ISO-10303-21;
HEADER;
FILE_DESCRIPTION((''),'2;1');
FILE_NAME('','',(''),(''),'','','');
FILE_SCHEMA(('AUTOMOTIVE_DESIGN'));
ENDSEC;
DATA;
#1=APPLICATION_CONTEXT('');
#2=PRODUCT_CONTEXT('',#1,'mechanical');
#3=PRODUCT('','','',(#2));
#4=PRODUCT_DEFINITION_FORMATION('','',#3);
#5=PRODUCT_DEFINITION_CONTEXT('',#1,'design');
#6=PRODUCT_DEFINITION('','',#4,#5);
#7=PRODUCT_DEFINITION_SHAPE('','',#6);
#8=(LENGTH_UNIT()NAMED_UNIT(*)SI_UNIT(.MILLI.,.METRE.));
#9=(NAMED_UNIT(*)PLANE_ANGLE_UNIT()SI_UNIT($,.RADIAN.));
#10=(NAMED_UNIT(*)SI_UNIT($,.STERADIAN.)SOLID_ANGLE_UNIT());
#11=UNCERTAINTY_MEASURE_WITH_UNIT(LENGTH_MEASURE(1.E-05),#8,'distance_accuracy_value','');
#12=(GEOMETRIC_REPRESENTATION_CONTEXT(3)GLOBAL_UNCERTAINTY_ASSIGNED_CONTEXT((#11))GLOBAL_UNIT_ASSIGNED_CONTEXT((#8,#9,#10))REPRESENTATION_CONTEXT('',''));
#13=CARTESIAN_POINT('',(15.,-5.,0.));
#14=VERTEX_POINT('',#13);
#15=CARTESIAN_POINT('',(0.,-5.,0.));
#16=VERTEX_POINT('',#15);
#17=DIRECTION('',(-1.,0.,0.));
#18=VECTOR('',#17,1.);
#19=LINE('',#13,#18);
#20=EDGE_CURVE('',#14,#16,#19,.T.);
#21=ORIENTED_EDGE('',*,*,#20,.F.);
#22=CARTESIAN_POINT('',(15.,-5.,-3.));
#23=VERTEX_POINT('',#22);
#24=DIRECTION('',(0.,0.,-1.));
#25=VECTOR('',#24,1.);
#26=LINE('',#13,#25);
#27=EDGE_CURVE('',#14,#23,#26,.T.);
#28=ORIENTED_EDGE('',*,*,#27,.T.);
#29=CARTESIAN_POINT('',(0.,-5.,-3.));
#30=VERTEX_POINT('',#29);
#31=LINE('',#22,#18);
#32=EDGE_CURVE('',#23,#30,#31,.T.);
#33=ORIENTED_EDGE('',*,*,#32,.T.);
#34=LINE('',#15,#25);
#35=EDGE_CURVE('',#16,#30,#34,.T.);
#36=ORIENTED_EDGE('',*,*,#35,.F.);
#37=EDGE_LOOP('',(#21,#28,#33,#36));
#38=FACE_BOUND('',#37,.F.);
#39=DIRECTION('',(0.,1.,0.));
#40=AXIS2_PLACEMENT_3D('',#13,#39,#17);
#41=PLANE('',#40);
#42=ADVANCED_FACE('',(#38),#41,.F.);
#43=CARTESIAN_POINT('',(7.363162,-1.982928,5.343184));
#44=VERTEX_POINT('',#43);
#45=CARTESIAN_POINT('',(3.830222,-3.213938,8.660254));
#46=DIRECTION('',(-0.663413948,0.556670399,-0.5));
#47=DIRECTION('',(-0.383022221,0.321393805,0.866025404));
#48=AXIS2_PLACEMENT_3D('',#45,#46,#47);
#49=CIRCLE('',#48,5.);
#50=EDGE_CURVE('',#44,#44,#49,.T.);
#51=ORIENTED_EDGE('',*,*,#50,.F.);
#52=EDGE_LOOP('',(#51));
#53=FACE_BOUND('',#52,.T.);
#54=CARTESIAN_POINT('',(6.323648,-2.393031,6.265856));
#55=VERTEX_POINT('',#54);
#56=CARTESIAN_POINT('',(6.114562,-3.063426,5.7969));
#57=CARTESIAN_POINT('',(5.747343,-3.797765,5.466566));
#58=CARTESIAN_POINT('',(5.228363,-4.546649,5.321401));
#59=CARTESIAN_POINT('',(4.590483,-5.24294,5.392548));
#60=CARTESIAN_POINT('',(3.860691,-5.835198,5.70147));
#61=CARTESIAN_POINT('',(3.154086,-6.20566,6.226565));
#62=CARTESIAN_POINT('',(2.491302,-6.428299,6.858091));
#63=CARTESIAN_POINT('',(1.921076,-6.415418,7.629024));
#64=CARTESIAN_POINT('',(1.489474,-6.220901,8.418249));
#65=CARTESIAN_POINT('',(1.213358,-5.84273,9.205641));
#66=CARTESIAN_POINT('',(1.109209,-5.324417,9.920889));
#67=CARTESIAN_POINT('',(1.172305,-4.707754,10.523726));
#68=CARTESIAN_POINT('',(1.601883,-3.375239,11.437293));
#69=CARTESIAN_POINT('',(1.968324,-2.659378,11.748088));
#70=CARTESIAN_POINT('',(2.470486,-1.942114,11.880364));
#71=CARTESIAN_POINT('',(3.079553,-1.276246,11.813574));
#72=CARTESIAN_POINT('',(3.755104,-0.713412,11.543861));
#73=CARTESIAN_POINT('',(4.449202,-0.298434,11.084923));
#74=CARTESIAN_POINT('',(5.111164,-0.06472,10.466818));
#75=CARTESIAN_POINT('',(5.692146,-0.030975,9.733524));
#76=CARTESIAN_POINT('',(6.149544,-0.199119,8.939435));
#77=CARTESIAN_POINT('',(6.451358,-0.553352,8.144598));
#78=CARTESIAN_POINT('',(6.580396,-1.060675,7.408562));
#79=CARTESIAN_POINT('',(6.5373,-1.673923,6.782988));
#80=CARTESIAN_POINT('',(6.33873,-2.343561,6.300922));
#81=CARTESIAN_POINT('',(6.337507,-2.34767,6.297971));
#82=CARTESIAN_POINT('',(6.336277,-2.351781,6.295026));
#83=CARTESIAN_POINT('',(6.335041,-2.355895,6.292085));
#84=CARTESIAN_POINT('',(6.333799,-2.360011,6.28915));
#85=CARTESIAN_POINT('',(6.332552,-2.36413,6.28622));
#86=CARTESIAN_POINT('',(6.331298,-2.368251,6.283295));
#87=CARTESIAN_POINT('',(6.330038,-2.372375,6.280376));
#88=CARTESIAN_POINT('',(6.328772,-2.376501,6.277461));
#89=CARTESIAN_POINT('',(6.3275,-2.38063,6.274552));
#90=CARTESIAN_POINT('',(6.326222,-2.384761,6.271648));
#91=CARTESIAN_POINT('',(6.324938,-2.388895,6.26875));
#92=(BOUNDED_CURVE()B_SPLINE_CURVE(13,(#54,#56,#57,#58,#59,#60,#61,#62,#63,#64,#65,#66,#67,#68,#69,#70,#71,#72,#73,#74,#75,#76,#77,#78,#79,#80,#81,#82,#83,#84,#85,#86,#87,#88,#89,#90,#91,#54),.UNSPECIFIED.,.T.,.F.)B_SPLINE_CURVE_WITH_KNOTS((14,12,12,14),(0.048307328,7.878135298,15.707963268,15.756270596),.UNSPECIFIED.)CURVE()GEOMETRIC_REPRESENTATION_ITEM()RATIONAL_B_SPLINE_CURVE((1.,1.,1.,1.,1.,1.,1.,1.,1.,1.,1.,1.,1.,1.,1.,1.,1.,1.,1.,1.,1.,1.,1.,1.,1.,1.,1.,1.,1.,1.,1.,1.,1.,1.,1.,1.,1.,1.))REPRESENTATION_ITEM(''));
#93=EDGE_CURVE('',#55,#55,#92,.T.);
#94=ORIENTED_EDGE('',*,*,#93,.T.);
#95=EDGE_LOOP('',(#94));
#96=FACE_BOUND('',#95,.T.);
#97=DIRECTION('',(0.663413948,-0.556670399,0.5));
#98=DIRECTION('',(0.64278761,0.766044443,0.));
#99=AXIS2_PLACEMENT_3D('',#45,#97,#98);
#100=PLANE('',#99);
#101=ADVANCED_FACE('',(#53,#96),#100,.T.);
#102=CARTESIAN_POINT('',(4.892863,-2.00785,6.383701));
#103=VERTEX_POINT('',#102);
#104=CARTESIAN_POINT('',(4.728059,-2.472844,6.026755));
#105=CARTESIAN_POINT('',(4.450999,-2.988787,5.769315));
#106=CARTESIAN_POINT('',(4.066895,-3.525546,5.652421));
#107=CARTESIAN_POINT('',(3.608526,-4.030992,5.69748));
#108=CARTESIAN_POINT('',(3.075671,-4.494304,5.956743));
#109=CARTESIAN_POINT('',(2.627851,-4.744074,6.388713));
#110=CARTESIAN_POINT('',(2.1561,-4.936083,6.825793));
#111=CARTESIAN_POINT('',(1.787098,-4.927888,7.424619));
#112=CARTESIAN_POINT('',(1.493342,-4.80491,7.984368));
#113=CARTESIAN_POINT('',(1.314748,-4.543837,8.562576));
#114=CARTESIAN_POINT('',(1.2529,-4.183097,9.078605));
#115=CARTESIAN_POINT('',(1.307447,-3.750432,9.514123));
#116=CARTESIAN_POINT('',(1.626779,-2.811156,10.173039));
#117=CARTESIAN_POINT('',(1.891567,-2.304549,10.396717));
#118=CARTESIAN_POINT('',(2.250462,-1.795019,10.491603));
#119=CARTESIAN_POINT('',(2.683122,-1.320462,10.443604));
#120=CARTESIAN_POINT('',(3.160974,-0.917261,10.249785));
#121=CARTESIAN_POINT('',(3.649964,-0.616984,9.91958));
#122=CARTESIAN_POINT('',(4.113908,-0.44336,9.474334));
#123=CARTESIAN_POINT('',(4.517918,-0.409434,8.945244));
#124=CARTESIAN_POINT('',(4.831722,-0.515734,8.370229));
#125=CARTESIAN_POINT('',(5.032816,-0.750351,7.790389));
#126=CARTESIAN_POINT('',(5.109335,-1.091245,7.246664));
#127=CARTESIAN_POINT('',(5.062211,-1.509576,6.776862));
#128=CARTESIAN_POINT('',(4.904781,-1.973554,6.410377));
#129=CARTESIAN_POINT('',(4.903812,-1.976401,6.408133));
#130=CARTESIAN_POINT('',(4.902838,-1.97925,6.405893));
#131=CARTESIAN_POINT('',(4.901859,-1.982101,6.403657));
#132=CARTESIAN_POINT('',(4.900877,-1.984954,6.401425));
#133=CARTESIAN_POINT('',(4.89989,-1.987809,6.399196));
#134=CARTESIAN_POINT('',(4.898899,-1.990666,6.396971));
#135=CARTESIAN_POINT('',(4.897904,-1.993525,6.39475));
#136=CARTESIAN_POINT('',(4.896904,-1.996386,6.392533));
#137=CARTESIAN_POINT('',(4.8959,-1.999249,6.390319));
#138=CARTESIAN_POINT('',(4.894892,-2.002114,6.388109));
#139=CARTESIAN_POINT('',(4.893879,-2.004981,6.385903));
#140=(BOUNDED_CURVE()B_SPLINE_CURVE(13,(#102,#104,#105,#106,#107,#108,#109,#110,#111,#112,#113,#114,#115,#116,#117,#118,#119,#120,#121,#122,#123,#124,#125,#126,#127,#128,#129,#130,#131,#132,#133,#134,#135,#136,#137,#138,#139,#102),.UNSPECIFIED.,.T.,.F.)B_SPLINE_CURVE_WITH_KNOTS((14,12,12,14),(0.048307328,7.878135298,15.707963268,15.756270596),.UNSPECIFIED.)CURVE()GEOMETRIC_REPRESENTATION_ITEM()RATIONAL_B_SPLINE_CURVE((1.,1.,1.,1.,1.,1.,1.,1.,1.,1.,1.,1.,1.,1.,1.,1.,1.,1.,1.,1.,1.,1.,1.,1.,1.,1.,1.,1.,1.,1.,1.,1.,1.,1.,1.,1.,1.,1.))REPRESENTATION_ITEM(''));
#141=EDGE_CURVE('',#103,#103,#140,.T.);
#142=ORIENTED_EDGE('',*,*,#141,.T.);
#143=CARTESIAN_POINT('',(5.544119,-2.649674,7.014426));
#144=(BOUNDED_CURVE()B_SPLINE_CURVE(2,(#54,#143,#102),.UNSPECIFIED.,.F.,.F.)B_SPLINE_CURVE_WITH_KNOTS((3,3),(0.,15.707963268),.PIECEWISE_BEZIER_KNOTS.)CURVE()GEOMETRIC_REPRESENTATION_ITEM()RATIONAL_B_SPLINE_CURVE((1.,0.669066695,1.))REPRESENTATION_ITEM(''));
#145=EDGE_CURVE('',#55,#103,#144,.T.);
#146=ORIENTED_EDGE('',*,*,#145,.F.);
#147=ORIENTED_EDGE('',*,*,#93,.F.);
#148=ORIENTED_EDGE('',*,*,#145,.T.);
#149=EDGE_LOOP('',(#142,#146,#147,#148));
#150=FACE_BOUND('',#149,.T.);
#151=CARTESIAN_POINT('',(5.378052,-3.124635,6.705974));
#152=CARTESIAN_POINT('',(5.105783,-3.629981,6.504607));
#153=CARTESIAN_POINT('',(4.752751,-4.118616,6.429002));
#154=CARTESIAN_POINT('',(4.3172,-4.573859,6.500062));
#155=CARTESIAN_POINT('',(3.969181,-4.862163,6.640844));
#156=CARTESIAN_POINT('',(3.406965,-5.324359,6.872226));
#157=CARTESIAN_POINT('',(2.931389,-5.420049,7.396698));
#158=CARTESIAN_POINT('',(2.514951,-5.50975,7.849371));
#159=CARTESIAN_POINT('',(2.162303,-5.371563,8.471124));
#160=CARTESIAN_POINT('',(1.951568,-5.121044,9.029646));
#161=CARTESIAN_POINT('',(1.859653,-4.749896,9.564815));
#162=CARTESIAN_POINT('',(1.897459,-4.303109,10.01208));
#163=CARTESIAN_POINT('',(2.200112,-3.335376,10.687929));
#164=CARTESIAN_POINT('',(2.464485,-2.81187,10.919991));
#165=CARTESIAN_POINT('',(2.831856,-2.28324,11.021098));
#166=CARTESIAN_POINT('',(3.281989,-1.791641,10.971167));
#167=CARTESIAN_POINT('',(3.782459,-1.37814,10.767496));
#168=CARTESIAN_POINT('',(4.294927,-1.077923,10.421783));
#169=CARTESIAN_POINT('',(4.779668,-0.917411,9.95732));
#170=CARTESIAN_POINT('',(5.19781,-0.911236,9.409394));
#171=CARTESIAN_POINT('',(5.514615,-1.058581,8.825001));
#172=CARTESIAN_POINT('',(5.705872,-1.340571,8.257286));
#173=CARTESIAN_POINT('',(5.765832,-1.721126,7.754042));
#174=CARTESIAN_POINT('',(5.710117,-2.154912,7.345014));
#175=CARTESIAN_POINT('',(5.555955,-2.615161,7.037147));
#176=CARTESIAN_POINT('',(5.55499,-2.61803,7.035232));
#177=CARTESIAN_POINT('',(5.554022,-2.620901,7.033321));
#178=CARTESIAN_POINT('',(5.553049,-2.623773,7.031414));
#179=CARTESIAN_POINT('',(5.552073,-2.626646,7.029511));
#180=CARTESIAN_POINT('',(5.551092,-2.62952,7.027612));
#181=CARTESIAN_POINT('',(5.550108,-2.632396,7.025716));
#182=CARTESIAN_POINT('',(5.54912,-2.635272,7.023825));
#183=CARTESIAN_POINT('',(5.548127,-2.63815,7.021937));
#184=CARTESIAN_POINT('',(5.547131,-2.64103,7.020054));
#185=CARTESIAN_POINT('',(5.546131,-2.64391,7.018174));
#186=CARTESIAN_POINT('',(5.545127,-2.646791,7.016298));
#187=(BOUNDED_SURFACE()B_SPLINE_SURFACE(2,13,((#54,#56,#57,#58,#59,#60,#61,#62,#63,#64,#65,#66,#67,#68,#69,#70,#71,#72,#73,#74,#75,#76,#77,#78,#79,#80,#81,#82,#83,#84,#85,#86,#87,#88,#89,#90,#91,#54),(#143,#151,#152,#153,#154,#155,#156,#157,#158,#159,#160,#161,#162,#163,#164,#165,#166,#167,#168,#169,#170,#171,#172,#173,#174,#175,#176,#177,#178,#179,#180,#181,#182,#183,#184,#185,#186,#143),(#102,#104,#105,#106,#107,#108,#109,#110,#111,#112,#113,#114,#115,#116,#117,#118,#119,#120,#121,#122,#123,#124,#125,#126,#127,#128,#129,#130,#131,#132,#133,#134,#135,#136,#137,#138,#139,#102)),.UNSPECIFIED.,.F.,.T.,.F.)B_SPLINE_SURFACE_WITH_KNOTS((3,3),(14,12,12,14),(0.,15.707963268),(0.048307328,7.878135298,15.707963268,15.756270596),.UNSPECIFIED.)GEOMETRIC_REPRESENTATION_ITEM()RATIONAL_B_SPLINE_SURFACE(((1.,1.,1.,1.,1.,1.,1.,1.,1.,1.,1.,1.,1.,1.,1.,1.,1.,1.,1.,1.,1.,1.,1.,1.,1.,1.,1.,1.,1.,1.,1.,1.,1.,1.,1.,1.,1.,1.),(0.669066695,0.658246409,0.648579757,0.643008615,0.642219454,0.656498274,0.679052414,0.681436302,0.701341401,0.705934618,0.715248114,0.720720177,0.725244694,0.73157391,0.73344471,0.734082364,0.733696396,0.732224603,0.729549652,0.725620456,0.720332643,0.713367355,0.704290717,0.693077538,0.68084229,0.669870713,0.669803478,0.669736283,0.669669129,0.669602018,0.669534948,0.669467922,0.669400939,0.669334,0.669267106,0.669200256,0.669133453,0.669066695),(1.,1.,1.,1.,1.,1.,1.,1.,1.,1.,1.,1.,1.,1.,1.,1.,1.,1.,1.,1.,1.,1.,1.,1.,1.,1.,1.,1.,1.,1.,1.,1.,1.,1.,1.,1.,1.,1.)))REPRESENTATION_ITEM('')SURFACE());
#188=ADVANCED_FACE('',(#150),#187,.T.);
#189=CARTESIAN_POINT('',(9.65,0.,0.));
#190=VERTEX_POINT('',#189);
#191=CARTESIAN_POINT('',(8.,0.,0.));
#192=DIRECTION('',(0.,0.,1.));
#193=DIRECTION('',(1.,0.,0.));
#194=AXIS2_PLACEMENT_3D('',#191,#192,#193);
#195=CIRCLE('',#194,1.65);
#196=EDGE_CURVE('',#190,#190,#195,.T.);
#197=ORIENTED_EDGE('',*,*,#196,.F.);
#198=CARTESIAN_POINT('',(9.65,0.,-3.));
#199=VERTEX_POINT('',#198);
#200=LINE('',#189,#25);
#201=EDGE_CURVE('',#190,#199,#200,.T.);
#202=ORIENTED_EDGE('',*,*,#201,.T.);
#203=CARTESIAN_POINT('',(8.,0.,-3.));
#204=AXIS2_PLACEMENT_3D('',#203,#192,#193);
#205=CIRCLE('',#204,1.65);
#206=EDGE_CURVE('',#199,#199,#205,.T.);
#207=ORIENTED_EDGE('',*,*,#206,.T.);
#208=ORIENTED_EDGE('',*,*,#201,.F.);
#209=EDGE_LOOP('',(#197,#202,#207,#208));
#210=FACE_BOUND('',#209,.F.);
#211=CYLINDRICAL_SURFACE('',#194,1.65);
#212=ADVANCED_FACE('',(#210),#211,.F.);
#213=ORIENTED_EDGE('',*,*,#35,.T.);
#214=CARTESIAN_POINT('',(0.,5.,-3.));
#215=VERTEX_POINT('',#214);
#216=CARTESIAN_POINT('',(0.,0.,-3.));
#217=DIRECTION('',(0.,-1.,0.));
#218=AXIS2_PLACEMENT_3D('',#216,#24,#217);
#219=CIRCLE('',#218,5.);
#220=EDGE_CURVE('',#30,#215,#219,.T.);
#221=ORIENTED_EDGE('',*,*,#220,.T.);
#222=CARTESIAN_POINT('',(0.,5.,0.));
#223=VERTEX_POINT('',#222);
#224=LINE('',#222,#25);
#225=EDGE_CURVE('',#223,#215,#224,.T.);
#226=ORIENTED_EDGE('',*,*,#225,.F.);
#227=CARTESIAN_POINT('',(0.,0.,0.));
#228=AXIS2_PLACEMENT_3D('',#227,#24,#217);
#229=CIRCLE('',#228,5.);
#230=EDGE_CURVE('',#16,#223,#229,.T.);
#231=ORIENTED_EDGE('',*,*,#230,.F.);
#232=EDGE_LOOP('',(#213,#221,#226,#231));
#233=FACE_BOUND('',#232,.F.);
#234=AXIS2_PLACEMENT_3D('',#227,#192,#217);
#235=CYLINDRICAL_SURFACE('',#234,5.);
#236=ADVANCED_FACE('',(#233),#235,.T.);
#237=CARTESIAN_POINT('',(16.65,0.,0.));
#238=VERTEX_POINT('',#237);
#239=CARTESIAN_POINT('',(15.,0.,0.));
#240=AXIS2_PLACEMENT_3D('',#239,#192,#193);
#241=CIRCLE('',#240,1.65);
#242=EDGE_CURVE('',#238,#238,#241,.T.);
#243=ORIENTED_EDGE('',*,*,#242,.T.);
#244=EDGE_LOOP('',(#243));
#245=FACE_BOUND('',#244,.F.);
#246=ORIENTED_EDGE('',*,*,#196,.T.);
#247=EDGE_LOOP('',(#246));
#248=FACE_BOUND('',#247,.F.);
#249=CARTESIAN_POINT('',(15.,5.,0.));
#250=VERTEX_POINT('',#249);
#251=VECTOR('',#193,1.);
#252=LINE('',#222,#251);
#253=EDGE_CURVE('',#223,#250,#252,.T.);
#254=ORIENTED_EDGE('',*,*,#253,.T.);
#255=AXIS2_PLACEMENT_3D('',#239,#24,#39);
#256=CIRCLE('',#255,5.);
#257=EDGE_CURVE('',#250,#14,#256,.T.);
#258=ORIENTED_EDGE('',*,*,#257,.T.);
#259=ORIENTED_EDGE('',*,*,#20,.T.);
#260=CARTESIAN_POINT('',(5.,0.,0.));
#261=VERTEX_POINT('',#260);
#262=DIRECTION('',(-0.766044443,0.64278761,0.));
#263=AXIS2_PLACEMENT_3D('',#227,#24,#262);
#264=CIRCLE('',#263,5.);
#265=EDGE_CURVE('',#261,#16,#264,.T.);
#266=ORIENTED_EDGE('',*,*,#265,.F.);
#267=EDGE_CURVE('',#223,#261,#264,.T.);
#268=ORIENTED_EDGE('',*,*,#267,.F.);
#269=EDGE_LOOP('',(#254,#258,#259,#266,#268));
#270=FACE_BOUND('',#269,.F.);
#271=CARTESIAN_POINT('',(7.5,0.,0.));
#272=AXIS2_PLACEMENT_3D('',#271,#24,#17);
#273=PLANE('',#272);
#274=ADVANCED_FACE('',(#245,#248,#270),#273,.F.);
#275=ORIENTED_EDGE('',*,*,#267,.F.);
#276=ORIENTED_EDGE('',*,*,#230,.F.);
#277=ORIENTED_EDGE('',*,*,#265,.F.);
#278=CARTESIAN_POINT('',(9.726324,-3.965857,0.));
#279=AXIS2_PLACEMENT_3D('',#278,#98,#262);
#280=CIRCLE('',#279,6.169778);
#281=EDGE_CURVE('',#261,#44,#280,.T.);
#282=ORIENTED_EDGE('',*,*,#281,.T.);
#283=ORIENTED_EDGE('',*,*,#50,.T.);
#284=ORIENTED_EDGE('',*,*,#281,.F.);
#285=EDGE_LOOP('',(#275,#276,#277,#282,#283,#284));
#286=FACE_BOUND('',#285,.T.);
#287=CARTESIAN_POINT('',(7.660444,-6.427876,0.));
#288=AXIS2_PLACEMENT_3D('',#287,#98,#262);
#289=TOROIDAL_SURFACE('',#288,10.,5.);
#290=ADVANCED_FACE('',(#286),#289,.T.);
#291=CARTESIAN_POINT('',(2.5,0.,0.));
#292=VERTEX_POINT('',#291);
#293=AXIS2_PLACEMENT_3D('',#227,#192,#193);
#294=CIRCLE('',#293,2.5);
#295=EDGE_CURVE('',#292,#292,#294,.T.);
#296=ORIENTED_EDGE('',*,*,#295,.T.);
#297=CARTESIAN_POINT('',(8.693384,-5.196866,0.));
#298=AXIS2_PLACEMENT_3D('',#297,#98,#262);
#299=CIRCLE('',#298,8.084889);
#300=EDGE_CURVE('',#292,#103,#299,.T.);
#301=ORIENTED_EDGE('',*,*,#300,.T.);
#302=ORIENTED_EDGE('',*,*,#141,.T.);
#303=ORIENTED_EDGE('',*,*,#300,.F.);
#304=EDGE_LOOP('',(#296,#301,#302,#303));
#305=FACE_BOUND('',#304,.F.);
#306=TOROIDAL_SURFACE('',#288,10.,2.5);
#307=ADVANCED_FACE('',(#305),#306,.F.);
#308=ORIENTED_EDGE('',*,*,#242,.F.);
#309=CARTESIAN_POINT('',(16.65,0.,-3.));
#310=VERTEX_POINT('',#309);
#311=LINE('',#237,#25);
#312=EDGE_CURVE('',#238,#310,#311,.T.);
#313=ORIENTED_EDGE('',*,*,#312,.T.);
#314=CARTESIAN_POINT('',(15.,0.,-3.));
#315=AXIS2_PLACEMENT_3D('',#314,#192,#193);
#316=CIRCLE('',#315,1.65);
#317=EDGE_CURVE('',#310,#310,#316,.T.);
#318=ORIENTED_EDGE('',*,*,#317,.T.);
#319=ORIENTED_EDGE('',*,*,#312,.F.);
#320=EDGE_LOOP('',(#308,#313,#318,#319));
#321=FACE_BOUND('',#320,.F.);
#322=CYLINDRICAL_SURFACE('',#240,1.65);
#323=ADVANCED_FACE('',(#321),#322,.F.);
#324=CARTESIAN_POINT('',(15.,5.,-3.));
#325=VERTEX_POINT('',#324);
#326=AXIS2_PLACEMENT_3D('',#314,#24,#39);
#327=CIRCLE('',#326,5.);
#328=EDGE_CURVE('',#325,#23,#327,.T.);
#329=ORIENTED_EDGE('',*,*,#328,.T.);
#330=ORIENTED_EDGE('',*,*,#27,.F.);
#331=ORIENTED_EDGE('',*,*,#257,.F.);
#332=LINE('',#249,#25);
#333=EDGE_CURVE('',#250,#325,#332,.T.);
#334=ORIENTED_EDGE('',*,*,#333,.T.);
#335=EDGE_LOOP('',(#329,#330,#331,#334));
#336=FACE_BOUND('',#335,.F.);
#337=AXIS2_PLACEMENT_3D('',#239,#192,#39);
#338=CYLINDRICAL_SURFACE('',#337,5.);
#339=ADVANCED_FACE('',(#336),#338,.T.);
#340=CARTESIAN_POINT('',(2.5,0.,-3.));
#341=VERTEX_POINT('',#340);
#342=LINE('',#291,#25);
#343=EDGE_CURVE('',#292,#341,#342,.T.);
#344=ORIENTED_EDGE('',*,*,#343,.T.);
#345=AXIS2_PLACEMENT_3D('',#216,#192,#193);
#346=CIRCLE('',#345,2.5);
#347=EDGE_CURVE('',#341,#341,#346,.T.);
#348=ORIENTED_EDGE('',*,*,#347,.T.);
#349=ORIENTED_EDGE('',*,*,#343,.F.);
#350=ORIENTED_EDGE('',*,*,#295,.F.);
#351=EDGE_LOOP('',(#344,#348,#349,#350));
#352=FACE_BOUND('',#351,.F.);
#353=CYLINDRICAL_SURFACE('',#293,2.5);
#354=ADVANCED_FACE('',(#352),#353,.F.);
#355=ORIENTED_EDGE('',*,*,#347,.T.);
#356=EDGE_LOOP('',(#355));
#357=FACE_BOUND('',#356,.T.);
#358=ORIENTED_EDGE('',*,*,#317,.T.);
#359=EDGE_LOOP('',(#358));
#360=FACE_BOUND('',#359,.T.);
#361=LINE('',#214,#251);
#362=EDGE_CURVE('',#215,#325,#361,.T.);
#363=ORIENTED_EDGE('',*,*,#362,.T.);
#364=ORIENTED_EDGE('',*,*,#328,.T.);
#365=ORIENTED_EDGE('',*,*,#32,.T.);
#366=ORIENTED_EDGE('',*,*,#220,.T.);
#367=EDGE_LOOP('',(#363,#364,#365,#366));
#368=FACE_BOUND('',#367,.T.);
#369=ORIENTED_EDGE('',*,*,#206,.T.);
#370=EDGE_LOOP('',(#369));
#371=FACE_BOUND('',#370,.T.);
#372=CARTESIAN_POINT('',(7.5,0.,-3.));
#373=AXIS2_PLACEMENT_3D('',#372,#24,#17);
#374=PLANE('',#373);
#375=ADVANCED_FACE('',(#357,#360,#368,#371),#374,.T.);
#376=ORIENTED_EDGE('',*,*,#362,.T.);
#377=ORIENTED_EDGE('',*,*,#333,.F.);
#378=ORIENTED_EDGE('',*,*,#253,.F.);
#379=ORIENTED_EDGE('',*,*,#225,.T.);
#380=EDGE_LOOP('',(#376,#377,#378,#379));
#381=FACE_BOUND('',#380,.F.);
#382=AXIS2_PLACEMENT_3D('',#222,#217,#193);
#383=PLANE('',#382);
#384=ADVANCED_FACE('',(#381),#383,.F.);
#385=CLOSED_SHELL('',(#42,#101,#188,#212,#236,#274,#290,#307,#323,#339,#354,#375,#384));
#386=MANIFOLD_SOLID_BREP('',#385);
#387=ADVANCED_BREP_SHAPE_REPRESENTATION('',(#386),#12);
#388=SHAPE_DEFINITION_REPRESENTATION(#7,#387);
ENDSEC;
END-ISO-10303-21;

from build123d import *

# Parameters (mm, degrees)
SKETCH_1_R          = 2.5
EXTRUDE_1_DEPTH     = 3
SKETCH_4_R          = 5
SKETCH_4_R_2        = 2.5
SKETCH_5_R          = 1.65
CUT_EXTRUDE_1_DEPTH = 25.960601113
FILLET_1_R          = 1


with BuildPart() as part:
    # ｽｹｯﾁ1 → ﾎﾞｽ - 押し出し1 (new body)
    with BuildSketch(Plane.XY):
        with BuildLine():
            Line((0, 5), (15, 5))
            ThreePointArc((15, 5), (20, 0), (15, -5))
            Line((15, -5), (0, -5))
            ThreePointArc((0, -5), (-5, 0), (0, 5))
        make_face()
        Circle(SKETCH_1_R, mode=Mode.SUBTRACT)
    extrude(amount=-EXTRUDE_1_DEPTH)

    # ｽｲｰﾌﾟ1: sweep along a path in ｽｹｯﾁ6
    with BuildLine(Plane(origin=(0, 0, 0), x_dir=(0, 0, 1), z_dir=(0.6427876096865379, 0.7660444431189792, 0))) as sweep_1_path:
        ThreePointArc((0, 0), (5, 1.339745962), (8.660254038, 5))
    # ｽｹｯﾁ4 → ｽｲｰﾌﾟ1 (sweep)
    with BuildSketch(Plane.XY):
        Circle(SKETCH_4_R)
        Circle(SKETCH_4_R_2, mode=Mode.SUBTRACT)
    sweep(path=sweep_1_path.line)

    # ｽｹｯﾁ5 → ｶｯﾄ - 押し出し1 (cut, through all)
    with BuildSketch(Plane.XY):
        with Locations((8, 0)):
            Circle(SKETCH_5_R)
        with Locations((15, 0)):
            Circle(SKETCH_5_R)
    extrude(amount=-CUT_EXTRUDE_1_DEPTH, mode=Mode.SUBTRACT)

    # ﾌｨﾚｯﾄ1
    fillet_1_edges = [part.edges().sort_by_distance(p)[0] for p in [
        (2.063752327, -3.829442894, 10.318788908),
    ]]
    fillet(fillet_1_edges, radius=FILLET_1_R)


solid = part.part
